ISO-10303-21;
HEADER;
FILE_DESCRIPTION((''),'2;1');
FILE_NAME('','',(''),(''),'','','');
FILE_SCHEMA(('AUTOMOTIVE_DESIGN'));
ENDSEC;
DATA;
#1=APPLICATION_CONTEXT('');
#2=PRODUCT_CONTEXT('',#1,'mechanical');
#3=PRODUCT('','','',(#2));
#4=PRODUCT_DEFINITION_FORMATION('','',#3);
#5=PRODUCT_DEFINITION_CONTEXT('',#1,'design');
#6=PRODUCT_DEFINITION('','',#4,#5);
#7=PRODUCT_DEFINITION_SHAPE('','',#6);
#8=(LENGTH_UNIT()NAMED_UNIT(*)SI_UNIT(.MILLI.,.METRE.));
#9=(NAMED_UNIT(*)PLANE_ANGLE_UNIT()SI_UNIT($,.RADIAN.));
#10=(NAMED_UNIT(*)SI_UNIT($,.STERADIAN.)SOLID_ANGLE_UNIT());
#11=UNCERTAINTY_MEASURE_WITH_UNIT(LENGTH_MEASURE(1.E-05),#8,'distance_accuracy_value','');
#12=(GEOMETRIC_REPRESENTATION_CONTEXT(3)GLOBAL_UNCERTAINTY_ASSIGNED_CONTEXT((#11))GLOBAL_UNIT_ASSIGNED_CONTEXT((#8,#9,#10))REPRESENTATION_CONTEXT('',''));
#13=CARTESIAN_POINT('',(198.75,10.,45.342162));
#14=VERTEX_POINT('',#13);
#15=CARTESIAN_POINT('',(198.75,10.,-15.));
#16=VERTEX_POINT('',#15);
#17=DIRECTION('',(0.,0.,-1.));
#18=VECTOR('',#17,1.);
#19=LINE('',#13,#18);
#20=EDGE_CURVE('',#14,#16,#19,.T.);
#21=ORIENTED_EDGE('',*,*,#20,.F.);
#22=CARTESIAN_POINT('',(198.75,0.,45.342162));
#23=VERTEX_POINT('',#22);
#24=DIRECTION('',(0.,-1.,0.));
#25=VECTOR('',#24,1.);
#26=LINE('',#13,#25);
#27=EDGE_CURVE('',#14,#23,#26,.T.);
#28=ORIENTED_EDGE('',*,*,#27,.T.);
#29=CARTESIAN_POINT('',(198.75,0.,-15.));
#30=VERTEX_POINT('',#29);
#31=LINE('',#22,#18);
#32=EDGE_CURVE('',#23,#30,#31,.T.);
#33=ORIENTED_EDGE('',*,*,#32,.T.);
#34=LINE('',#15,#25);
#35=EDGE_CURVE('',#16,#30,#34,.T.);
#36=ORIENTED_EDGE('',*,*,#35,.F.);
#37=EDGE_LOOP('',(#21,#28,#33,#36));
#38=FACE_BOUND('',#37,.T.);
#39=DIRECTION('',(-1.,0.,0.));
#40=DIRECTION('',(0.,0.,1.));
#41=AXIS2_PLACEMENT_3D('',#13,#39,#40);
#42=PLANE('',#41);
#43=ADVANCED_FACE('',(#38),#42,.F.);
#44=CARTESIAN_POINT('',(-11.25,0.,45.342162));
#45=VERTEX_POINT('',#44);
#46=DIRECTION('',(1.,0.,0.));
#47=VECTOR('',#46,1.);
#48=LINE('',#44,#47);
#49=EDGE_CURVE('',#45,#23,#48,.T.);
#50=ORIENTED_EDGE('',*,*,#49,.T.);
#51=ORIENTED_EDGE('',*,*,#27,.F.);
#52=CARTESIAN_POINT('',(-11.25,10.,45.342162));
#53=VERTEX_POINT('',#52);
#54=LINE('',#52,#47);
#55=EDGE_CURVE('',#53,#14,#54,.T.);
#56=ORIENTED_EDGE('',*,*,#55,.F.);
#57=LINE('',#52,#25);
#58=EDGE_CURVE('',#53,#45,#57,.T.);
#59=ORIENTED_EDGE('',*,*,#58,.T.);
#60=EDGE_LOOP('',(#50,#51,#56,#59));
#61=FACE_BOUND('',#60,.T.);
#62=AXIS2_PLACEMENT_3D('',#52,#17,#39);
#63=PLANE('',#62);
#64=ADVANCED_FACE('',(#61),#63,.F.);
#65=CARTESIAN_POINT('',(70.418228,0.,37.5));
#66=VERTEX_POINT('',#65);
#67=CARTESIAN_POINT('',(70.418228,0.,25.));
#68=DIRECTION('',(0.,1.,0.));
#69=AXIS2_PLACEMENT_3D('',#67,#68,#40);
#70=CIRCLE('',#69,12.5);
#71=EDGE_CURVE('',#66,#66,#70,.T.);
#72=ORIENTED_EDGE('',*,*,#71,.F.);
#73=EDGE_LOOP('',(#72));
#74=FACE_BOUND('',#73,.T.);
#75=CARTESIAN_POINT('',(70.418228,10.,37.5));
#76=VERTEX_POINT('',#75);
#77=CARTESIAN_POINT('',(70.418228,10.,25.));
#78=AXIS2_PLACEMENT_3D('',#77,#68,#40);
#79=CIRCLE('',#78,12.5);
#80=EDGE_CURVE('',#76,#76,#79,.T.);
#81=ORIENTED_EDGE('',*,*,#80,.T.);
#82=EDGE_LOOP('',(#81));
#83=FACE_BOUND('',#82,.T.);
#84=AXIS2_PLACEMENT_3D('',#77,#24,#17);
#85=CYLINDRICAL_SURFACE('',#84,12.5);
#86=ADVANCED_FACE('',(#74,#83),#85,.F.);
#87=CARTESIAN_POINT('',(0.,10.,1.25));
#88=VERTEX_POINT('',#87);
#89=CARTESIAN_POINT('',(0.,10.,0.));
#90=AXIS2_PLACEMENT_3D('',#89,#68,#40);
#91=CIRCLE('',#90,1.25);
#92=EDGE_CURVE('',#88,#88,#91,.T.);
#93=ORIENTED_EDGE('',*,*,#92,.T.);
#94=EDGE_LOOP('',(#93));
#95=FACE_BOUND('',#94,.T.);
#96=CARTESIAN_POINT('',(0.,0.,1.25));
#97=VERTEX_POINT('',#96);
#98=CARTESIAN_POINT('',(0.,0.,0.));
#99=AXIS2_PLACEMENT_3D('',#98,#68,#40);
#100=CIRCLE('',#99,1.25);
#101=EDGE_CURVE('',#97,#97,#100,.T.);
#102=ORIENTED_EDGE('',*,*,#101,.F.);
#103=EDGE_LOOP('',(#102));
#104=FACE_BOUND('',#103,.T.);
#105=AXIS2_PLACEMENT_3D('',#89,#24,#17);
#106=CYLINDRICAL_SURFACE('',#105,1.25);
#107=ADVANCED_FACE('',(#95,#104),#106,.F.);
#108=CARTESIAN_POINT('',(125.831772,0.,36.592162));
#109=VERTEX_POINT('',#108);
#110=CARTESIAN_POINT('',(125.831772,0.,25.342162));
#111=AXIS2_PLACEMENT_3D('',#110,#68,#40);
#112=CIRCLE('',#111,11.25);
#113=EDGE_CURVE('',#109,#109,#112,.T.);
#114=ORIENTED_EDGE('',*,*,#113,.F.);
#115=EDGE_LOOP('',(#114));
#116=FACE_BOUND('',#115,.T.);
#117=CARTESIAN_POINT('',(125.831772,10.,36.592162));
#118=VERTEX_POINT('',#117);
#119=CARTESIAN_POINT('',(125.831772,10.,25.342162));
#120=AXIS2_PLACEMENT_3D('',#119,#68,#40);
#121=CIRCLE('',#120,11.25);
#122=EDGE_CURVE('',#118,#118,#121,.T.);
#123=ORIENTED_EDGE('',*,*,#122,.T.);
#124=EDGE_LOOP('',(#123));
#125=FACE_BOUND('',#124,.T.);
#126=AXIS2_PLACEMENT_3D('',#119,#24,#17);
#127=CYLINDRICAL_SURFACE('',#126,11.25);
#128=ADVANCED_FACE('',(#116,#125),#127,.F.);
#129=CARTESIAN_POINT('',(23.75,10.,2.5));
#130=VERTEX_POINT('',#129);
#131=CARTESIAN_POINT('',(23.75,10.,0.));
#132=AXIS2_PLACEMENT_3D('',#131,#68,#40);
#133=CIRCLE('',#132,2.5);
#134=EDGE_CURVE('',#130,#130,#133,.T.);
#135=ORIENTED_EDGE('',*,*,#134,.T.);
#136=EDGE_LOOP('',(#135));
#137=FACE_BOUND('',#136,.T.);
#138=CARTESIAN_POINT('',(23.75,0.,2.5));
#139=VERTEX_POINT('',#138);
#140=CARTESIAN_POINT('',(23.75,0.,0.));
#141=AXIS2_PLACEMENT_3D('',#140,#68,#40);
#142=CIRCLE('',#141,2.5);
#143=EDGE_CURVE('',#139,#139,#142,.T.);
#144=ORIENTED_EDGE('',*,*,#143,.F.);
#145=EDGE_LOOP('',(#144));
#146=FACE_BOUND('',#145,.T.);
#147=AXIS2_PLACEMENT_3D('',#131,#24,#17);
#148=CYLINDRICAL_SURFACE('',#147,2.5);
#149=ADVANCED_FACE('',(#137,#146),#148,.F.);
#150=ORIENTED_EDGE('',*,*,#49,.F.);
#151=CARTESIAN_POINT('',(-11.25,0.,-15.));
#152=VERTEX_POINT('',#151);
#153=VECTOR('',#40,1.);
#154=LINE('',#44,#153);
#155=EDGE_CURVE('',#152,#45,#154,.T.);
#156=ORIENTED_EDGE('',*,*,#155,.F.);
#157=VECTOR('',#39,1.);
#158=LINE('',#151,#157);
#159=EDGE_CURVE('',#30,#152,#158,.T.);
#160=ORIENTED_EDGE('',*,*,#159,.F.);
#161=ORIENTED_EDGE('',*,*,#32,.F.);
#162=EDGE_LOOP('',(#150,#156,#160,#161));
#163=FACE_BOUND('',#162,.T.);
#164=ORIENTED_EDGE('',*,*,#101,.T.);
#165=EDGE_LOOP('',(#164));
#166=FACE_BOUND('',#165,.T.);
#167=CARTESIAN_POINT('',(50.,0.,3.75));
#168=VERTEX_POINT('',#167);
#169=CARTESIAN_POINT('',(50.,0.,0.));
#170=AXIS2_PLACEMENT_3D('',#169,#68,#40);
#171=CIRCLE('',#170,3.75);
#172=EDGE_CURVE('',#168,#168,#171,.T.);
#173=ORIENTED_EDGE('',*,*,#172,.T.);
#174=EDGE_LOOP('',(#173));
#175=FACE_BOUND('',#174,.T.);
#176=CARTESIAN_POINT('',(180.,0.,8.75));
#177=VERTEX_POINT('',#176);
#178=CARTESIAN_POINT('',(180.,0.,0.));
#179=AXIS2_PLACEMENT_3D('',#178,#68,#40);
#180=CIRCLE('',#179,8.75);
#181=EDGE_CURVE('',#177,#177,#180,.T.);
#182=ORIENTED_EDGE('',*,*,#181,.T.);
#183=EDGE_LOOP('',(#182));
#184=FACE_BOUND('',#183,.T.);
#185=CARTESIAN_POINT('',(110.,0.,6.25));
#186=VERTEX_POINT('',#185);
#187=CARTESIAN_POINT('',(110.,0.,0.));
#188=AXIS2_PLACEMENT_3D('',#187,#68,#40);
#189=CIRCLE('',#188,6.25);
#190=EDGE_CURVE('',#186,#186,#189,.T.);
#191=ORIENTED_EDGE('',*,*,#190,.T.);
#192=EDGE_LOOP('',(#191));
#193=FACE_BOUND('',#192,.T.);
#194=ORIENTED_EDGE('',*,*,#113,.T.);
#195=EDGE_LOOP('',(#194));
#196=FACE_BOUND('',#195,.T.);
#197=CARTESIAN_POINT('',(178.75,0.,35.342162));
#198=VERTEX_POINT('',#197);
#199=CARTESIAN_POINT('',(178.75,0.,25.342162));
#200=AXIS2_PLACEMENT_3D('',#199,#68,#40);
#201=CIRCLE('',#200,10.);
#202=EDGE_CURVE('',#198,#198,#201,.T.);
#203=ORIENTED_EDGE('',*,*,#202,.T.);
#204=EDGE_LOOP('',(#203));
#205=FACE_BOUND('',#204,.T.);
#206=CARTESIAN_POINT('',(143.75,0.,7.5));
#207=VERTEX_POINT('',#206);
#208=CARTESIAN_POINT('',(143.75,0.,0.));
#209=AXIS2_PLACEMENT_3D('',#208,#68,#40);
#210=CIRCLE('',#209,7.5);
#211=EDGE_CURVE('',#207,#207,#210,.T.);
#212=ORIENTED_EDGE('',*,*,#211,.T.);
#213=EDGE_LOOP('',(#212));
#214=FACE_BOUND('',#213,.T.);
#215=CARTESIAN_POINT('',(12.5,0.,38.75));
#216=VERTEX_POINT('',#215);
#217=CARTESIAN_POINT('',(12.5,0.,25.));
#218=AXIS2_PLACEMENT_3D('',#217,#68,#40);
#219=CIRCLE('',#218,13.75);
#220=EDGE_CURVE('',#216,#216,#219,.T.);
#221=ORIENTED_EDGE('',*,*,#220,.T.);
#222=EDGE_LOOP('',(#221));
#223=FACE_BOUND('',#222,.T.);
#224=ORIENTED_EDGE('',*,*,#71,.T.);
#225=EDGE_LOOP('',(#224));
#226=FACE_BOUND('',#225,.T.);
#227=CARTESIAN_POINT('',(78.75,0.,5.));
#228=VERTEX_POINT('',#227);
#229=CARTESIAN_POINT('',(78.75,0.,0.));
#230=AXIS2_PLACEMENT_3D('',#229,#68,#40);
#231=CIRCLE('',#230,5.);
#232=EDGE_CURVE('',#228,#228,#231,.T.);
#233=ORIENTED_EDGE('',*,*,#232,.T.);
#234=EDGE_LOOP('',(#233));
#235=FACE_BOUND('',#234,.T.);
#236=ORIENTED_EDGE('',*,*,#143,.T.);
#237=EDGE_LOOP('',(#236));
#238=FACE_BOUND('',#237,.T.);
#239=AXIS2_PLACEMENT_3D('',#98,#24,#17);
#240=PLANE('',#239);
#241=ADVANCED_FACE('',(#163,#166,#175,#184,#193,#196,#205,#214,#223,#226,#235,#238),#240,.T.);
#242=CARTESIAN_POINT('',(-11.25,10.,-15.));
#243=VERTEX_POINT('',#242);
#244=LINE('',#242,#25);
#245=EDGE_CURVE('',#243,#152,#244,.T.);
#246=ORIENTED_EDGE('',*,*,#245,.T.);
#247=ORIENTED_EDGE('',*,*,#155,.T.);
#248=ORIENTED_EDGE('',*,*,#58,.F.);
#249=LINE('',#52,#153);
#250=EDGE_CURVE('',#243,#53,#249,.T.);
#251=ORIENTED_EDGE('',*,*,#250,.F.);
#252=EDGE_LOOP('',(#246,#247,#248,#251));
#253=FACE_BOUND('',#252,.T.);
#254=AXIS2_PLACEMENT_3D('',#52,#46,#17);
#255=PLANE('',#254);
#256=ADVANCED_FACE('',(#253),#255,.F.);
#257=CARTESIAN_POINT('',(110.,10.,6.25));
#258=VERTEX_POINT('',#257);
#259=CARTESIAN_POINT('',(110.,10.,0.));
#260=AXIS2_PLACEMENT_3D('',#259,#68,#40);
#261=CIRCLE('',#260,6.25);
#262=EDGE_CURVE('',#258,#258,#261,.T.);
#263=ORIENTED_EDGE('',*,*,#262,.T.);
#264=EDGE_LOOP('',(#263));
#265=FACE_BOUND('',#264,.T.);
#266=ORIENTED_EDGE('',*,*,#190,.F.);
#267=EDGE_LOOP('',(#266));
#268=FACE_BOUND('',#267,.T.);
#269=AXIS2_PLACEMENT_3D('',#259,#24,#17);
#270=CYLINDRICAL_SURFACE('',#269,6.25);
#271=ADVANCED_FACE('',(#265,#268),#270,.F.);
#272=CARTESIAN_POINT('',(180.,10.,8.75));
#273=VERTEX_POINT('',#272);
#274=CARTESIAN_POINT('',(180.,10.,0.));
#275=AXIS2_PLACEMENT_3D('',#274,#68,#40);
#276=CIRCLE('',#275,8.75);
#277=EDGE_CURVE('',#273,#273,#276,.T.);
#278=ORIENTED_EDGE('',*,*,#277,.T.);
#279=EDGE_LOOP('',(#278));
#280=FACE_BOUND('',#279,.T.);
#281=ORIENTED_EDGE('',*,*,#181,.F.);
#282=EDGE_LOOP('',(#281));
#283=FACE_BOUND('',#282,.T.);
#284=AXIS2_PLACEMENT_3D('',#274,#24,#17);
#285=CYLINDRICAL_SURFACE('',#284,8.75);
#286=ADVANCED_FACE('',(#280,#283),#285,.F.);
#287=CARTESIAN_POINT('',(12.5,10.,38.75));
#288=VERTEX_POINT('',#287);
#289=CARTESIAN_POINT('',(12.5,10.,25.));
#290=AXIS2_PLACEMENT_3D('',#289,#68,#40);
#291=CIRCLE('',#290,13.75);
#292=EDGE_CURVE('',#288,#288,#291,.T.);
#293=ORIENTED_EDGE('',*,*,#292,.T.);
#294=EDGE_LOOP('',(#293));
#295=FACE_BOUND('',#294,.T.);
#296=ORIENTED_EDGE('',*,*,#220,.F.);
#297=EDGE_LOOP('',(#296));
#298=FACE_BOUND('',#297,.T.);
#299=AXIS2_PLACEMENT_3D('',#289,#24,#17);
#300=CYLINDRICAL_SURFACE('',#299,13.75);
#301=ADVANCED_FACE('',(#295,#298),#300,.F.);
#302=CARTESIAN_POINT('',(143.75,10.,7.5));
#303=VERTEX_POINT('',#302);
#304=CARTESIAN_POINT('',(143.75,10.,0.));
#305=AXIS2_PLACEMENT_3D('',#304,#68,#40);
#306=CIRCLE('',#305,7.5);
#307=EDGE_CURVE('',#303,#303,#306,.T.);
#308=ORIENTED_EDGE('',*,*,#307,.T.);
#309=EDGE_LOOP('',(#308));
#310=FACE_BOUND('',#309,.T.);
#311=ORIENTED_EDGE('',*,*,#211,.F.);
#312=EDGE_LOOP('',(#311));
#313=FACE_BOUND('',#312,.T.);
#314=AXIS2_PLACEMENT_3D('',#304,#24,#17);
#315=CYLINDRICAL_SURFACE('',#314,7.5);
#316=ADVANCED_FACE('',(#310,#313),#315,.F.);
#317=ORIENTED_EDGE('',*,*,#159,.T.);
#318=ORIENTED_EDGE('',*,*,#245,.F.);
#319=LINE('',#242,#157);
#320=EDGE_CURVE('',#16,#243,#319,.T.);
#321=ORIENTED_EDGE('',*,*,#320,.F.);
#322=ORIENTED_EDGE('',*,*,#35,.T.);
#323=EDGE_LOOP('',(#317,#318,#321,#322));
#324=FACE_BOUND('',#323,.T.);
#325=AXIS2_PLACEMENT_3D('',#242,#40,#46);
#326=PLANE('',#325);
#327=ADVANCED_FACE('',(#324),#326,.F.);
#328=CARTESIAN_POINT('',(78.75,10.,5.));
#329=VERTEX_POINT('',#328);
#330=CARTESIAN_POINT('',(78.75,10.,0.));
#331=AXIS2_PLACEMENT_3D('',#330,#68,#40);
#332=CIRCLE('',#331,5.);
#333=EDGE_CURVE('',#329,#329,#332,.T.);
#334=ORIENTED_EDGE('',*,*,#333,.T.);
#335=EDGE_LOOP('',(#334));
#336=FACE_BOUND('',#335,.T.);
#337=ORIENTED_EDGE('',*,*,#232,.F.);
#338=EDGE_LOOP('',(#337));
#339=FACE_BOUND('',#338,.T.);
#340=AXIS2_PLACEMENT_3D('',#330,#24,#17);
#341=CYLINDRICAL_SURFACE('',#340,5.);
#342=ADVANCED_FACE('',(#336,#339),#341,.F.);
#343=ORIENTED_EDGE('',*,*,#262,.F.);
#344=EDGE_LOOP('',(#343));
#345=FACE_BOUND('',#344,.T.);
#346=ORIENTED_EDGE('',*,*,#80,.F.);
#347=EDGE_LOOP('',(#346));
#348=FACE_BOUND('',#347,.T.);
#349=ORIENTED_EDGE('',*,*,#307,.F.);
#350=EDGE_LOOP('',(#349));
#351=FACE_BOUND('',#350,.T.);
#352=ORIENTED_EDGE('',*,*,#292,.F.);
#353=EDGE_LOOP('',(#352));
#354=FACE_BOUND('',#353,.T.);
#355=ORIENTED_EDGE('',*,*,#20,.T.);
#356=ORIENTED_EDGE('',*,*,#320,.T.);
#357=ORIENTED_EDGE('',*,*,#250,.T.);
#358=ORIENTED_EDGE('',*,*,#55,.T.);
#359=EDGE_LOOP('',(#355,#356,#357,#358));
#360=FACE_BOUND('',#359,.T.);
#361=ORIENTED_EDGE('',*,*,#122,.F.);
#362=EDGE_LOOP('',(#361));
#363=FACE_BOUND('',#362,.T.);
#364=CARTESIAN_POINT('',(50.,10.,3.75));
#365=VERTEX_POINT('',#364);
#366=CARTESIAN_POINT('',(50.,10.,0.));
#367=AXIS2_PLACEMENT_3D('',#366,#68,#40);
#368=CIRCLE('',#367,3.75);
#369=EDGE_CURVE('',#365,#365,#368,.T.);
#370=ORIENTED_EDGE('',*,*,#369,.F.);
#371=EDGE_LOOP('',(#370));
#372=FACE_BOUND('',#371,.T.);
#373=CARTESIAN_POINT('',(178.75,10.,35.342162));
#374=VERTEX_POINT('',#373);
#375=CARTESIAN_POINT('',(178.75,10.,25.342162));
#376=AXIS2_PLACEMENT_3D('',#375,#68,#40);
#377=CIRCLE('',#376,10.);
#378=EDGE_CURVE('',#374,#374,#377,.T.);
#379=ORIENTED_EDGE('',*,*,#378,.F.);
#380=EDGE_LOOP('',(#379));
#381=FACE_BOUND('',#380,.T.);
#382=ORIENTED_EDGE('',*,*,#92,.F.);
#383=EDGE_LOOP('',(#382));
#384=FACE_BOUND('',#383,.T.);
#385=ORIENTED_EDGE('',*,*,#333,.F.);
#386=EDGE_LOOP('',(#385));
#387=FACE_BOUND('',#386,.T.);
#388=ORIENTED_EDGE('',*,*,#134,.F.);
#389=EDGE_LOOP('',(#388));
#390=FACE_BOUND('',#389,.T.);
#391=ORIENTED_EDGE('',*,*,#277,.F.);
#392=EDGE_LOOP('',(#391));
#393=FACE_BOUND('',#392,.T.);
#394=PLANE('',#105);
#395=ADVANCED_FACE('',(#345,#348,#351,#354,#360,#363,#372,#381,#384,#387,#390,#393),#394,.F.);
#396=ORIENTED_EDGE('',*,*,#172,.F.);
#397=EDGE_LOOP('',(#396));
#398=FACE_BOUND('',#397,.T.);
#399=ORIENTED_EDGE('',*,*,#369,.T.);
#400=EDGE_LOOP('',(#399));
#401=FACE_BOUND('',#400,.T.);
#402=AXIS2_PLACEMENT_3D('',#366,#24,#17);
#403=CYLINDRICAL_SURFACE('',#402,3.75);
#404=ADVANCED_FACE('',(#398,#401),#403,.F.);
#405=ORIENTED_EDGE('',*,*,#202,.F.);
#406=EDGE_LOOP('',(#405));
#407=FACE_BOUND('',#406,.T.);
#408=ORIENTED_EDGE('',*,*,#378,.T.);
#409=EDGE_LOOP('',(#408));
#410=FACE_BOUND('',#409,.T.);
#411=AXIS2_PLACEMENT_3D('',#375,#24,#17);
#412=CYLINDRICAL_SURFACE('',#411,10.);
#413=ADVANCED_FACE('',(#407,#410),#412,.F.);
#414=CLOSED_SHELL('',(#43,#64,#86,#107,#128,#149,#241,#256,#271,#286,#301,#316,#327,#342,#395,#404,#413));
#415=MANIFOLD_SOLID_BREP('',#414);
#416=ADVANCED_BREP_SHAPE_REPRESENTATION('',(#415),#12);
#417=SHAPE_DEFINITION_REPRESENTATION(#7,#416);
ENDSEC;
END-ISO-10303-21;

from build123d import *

# Parameters (mm, degrees)
SKETCH1_W           = 210
SKETCH1_H           = 60.3421622
SKETCH1_R           = 1.25
SKETCH1_R_2         = 2.5
SKETCH1_R_3         = 3.75
SKETCH1_R_4         = 5
SKETCH1_R_5         = 6.25
SKETCH1_R_6         = 7.5
SKETCH1_R_7         = 8.75
SKETCH1_R_8         = 10
SKETCH1_R_9         = 11.25
SKETCH1_R_10        = 12.5
SKETCH1_R_11        = 13.75
BOSS_EXTRUDE1_DEPTH = 10


with BuildPart() as part:
    # Sketch1 → Boss-Extrude1 (new body)
    with BuildSketch(Plane(origin=(0, 0, 0), x_dir=(1, 0, 0), z_dir=(0, 1, 0))):
        with Locations((93.75, -15.1710811)):
            Rectangle(SKETCH1_W, SKETCH1_H)
        Circle(SKETCH1_R, mode=Mode.SUBTRACT)
        with Locations((23.75, 0)):
            Circle(SKETCH1_R_2, mode=Mode.SUBTRACT)
        with Locations((50, 0)):
            Circle(SKETCH1_R_3, mode=Mode.SUBTRACT)
        with Locations((78.75, 0)):
            Circle(SKETCH1_R_4, mode=Mode.SUBTRACT)
        with Locations((110, 0)):
            Circle(SKETCH1_R_5, mode=Mode.SUBTRACT)
        with Locations((143.75, 0)):
            Circle(SKETCH1_R_6, mode=Mode.SUBTRACT)
        with Locations((180, 0)):
            Circle(SKETCH1_R_7, mode=Mode.SUBTRACT)
        with Locations((178.75, -25.3421622)):
            Circle(SKETCH1_R_8, mode=Mode.SUBTRACT)
        with Locations((125.831772041, -25.3421622)):
            Circle(SKETCH1_R_9, mode=Mode.SUBTRACT)
        with Locations((70.418227959, -25)):
            Circle(SKETCH1_R_10, mode=Mode.SUBTRACT)
        with Locations((12.5, -25)):
            Circle(SKETCH1_R_11, mode=Mode.SUBTRACT)
    extrude(amount=BOSS_EXTRUDE1_DEPTH)


solid = part.part
